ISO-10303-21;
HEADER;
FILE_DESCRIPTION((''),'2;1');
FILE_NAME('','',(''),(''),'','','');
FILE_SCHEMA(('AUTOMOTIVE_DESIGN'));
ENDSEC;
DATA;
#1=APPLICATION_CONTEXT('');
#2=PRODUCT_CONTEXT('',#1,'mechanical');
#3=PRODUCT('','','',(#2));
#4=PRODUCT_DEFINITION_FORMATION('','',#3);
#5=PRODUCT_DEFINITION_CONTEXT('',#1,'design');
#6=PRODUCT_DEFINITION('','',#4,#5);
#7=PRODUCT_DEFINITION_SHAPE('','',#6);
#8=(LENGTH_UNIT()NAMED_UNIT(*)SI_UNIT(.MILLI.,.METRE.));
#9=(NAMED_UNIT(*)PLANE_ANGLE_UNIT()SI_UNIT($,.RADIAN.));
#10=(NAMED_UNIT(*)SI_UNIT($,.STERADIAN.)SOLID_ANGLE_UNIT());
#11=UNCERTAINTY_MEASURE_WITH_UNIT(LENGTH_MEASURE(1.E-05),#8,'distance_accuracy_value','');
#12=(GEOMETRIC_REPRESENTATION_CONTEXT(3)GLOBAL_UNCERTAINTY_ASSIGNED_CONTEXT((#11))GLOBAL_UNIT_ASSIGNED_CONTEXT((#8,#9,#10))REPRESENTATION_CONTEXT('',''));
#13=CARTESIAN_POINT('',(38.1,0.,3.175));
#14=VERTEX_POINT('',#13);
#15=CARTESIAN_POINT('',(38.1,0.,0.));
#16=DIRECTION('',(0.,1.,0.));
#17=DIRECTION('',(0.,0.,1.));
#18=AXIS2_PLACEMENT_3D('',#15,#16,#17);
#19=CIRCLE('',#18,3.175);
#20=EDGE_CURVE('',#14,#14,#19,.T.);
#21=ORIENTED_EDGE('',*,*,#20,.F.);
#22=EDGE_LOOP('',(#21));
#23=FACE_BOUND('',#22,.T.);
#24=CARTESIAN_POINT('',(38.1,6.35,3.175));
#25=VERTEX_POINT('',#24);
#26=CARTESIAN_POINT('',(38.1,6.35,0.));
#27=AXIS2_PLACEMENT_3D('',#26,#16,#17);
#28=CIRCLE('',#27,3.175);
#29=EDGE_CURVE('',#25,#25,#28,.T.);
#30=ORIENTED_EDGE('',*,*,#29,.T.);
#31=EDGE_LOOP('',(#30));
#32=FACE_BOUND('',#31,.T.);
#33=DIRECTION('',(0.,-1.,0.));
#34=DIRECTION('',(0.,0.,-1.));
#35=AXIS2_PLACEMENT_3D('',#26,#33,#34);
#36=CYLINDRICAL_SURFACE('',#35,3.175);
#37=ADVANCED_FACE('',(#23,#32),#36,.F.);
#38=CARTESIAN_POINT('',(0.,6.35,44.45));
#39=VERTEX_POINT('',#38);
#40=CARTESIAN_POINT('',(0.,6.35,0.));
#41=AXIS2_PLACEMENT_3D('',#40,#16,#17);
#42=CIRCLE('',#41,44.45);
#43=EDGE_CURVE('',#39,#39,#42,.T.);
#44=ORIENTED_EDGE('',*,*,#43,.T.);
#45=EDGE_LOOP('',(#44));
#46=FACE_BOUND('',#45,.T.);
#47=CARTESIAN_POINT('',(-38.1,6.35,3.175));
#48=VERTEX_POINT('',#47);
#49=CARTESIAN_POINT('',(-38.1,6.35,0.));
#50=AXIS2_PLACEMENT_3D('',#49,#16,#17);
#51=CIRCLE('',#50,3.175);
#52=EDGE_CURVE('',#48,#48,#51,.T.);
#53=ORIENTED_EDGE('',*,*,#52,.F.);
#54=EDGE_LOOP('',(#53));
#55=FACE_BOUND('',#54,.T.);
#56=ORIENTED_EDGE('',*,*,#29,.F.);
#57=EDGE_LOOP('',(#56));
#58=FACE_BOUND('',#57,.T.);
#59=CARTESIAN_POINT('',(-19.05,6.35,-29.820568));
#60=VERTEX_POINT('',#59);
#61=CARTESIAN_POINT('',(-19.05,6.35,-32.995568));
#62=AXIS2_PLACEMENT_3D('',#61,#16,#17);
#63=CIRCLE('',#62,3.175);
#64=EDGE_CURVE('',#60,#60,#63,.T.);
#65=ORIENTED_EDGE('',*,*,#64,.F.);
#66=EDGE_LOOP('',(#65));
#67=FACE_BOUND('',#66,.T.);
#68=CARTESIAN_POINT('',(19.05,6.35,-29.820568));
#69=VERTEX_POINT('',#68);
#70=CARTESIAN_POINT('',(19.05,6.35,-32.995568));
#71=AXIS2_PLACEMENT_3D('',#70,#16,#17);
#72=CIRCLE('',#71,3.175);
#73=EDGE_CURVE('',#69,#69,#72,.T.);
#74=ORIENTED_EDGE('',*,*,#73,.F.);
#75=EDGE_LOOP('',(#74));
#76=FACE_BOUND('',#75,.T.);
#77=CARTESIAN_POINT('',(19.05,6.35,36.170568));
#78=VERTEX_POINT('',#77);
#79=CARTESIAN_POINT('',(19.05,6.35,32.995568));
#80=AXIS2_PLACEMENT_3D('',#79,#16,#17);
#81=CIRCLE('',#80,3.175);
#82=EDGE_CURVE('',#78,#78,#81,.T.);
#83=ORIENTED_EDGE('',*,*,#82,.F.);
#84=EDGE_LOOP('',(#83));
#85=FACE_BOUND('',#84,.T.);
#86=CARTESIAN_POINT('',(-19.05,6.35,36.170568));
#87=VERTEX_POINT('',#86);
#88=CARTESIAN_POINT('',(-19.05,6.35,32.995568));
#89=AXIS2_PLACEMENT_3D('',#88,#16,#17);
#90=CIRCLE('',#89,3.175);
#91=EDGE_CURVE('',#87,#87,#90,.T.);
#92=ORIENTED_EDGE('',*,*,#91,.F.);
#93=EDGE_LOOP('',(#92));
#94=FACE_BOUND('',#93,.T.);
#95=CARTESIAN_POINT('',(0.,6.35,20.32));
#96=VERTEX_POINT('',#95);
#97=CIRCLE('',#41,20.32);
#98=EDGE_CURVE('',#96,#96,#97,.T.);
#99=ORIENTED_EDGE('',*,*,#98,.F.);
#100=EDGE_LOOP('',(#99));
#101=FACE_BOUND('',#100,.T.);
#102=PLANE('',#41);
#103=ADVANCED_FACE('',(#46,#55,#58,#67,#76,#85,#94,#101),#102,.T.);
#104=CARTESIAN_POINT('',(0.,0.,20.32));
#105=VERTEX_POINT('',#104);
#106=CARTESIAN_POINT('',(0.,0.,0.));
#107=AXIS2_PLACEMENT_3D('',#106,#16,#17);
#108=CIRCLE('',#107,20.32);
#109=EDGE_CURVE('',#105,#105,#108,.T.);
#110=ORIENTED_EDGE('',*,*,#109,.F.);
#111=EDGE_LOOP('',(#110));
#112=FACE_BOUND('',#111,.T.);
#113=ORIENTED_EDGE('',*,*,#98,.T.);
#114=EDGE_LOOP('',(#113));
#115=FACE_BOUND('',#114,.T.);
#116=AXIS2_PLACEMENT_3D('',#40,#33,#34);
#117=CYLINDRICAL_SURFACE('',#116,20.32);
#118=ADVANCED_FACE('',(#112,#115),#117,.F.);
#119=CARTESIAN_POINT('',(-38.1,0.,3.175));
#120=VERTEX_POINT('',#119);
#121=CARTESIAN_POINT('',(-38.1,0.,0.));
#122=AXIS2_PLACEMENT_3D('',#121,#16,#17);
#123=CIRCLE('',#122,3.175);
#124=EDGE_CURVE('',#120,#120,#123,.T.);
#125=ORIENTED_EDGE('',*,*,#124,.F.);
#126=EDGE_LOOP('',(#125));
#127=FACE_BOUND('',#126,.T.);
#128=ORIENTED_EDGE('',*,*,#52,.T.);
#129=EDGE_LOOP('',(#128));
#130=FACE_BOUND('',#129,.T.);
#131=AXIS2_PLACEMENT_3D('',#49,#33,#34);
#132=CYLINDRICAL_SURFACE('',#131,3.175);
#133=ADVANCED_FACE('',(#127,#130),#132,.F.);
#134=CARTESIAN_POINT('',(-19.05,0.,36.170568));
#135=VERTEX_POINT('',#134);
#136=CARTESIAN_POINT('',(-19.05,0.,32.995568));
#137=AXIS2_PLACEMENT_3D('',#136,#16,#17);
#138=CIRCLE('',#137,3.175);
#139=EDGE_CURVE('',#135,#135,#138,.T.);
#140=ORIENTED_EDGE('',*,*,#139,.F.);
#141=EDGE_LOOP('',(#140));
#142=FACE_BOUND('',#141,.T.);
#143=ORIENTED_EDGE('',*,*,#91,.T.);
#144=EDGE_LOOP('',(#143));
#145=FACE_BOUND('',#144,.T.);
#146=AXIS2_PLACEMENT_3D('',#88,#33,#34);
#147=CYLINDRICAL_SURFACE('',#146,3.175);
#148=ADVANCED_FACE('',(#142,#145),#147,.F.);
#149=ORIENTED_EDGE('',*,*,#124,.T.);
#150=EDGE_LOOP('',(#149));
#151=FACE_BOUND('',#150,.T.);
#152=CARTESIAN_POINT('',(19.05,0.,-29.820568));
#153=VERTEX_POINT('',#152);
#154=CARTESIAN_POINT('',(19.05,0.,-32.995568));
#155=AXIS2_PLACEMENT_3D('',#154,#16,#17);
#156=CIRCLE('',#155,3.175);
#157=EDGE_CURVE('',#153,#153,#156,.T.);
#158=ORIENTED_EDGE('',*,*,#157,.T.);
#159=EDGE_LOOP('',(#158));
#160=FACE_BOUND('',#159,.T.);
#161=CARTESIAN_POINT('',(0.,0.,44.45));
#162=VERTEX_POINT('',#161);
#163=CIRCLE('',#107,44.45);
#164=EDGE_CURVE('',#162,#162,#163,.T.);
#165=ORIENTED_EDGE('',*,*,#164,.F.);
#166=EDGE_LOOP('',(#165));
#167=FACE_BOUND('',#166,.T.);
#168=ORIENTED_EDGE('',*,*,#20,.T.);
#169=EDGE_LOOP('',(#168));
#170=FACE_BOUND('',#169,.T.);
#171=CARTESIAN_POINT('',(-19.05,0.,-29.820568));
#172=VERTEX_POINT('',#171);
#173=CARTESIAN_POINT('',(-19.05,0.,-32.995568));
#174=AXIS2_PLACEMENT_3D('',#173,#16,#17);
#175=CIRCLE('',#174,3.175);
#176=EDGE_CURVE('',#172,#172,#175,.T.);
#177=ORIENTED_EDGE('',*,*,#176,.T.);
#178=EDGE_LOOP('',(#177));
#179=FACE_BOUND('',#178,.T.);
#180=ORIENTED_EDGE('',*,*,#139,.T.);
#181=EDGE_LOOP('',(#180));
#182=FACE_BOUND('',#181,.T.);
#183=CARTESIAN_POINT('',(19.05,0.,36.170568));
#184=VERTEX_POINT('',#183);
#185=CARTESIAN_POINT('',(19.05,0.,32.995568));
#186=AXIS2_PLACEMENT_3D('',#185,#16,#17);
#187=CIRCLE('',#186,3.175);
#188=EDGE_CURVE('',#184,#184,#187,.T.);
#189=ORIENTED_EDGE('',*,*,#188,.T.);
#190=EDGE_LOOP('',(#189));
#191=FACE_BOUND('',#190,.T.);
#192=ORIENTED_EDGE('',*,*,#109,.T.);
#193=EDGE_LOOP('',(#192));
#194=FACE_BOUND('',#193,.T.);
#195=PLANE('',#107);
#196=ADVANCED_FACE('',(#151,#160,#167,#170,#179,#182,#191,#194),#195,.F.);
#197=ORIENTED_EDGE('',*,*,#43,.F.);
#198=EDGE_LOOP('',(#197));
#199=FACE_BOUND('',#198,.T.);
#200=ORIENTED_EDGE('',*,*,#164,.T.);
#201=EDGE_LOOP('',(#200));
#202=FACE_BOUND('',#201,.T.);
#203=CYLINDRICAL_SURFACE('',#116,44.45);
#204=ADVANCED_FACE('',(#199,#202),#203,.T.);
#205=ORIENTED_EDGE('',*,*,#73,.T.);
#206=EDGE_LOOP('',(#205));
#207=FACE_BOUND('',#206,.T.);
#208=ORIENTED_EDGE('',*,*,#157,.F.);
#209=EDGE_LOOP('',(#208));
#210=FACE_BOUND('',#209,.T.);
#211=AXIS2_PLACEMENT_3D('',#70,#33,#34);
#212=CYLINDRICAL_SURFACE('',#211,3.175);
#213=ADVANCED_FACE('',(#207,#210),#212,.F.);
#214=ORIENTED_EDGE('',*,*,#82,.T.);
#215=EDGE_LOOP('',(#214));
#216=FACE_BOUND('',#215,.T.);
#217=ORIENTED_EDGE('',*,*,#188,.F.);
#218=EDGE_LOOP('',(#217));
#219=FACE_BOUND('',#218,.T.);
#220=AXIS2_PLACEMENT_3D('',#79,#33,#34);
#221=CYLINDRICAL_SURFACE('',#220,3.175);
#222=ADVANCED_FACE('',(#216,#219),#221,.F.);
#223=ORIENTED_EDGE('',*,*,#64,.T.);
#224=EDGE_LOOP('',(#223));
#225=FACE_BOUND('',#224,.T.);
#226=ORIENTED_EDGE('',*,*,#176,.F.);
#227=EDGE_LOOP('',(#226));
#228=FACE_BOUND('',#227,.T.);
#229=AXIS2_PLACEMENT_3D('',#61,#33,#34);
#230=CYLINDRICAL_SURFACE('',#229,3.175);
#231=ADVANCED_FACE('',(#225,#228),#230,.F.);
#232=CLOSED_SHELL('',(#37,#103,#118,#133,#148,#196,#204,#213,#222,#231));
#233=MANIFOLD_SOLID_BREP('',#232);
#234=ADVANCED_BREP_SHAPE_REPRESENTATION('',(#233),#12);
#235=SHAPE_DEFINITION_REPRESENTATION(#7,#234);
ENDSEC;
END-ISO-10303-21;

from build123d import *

# Parameters (mm, degrees)
SKETCH2_R           = 44.45
SKETCH2_R_2         = 20.32
SKETCH2_R_3         = 3.175
BOSS_EXTRUDE1_DEPTH = 6.35


with BuildPart() as part:
    # Sketch2 → Boss-Extrude1 (new body)
    with BuildSketch(Plane(origin=(0, 0, 0), x_dir=(1, 0, 0), z_dir=(0, 1, 0))):
        with Locations(Location((0, 0, 0), (0, 0, 270))):
            Circle(SKETCH2_R)
        with Locations(Location((0, 0, 0), (0, 0, 270))):
            Circle(SKETCH2_R_2, mode=Mode.SUBTRACT)
        with Locations(Location((38.1, 0, 0), (0, 0, 270))):
            Circle(SKETCH2_R_3, mode=Mode.SUBTRACT)
        with Locations(Location((19.05, -32.995567884, 0), (0, 0, 270))):
            Circle(SKETCH2_R_3, mode=Mode.SUBTRACT)
        with Locations(Location((-19.05, -32.995567884, 0), (0, 0, 270))):
            Circle(SKETCH2_R_3, mode=Mode.SUBTRACT)
        with Locations(Location((-38.1, 0, 0), (0, 0, 270))):
            Circle(SKETCH2_R_3, mode=Mode.SUBTRACT)
        with Locations(Location((-19.05, 32.995567884, 0), (0, 0, 270))):
            Circle(SKETCH2_R_3, mode=Mode.SUBTRACT)
        with Locations(Location((19.05, 32.995567884, 0), (0, 0, 270))):
            Circle(SKETCH2_R_3, mode=Mode.SUBTRACT)
    extrude(amount=BOSS_EXTRUDE1_DEPTH)


solid = part.part
